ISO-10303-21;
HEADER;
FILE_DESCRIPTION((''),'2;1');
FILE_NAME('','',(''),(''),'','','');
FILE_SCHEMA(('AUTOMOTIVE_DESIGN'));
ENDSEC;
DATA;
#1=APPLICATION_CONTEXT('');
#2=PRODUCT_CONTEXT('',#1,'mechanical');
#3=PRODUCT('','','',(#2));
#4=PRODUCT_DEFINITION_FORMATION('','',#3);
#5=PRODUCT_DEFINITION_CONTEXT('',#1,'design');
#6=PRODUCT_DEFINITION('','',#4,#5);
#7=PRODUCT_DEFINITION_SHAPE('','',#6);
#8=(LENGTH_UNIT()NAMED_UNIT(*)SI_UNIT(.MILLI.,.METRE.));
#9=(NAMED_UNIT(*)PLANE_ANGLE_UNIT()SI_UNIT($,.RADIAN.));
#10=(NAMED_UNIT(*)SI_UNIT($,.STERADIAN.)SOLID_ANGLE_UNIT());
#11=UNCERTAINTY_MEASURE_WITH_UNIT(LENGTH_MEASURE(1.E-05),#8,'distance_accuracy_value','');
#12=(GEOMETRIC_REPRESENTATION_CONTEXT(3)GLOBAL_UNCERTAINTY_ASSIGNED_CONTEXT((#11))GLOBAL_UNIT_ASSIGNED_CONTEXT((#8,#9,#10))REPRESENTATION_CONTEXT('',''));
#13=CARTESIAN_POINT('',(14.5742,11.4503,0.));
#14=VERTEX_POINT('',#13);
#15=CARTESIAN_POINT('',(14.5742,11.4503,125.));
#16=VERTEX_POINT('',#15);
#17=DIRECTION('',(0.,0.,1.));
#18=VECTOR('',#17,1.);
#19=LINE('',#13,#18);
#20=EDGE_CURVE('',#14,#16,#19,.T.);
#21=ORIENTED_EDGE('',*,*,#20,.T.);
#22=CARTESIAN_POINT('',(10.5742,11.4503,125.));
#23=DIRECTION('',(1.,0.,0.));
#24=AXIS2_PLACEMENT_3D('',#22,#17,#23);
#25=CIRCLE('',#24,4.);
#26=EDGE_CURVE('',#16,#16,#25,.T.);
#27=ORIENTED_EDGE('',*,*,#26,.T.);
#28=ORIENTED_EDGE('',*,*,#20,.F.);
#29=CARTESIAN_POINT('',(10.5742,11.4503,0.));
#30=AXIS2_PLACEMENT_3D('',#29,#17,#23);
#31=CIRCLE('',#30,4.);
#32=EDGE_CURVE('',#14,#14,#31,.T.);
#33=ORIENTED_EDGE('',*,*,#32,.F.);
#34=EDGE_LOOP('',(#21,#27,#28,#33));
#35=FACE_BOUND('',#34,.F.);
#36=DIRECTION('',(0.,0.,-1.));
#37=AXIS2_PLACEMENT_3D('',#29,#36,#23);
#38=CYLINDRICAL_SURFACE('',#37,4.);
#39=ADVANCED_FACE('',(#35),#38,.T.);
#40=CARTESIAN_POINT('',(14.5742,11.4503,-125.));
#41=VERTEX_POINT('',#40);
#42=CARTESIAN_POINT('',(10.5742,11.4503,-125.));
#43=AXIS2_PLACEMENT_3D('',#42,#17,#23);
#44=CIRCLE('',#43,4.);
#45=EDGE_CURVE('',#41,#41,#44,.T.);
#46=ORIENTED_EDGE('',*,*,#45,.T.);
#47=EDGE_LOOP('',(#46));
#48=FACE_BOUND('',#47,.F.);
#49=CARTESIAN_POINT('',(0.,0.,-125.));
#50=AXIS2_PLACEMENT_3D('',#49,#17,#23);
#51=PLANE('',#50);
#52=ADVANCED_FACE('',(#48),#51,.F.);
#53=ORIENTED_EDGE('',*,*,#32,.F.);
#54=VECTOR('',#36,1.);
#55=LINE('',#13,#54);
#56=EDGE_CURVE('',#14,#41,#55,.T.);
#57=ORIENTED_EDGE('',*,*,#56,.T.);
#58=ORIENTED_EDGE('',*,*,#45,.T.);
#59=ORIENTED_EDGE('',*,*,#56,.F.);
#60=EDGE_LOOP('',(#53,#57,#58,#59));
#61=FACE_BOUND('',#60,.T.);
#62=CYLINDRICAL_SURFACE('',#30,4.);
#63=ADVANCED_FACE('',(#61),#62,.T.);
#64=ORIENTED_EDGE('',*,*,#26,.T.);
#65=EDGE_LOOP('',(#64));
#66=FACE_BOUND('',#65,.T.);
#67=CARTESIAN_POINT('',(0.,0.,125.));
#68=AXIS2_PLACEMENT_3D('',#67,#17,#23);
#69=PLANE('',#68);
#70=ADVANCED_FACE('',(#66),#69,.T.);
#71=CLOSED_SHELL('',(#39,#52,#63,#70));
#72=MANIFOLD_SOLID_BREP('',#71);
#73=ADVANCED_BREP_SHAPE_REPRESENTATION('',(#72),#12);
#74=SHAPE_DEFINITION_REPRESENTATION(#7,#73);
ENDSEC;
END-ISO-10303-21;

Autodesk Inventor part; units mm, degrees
ref_plane "YZ Plane" through (0, 0, 0) normal (1, 0, 0) x (0, 1, 0)
ref_plane "XZ Plane" through (0, 0, 0) normal (0, 1, 0) x (-1, 0, 0)
ref_plane "XY Plane" through (0, 0, 0) normal (0, 0, 1) x (1, 0, 0)
sketch "Sketch1" plane through (0, 0, 0) normal (0, 0, 1) x (1, 0, 0)
  circle A0 centre (10.5742, 11.4503) radius 4
  point P0 (0, 0)
  dimension "d0" = 8
  dimension "d0" = 8
extrude "Extrusion1" add sketch "Sketch1" along normal mid plane 250
properties part number "ACME Lead Screw 8mm" material "Stainless Steel"
